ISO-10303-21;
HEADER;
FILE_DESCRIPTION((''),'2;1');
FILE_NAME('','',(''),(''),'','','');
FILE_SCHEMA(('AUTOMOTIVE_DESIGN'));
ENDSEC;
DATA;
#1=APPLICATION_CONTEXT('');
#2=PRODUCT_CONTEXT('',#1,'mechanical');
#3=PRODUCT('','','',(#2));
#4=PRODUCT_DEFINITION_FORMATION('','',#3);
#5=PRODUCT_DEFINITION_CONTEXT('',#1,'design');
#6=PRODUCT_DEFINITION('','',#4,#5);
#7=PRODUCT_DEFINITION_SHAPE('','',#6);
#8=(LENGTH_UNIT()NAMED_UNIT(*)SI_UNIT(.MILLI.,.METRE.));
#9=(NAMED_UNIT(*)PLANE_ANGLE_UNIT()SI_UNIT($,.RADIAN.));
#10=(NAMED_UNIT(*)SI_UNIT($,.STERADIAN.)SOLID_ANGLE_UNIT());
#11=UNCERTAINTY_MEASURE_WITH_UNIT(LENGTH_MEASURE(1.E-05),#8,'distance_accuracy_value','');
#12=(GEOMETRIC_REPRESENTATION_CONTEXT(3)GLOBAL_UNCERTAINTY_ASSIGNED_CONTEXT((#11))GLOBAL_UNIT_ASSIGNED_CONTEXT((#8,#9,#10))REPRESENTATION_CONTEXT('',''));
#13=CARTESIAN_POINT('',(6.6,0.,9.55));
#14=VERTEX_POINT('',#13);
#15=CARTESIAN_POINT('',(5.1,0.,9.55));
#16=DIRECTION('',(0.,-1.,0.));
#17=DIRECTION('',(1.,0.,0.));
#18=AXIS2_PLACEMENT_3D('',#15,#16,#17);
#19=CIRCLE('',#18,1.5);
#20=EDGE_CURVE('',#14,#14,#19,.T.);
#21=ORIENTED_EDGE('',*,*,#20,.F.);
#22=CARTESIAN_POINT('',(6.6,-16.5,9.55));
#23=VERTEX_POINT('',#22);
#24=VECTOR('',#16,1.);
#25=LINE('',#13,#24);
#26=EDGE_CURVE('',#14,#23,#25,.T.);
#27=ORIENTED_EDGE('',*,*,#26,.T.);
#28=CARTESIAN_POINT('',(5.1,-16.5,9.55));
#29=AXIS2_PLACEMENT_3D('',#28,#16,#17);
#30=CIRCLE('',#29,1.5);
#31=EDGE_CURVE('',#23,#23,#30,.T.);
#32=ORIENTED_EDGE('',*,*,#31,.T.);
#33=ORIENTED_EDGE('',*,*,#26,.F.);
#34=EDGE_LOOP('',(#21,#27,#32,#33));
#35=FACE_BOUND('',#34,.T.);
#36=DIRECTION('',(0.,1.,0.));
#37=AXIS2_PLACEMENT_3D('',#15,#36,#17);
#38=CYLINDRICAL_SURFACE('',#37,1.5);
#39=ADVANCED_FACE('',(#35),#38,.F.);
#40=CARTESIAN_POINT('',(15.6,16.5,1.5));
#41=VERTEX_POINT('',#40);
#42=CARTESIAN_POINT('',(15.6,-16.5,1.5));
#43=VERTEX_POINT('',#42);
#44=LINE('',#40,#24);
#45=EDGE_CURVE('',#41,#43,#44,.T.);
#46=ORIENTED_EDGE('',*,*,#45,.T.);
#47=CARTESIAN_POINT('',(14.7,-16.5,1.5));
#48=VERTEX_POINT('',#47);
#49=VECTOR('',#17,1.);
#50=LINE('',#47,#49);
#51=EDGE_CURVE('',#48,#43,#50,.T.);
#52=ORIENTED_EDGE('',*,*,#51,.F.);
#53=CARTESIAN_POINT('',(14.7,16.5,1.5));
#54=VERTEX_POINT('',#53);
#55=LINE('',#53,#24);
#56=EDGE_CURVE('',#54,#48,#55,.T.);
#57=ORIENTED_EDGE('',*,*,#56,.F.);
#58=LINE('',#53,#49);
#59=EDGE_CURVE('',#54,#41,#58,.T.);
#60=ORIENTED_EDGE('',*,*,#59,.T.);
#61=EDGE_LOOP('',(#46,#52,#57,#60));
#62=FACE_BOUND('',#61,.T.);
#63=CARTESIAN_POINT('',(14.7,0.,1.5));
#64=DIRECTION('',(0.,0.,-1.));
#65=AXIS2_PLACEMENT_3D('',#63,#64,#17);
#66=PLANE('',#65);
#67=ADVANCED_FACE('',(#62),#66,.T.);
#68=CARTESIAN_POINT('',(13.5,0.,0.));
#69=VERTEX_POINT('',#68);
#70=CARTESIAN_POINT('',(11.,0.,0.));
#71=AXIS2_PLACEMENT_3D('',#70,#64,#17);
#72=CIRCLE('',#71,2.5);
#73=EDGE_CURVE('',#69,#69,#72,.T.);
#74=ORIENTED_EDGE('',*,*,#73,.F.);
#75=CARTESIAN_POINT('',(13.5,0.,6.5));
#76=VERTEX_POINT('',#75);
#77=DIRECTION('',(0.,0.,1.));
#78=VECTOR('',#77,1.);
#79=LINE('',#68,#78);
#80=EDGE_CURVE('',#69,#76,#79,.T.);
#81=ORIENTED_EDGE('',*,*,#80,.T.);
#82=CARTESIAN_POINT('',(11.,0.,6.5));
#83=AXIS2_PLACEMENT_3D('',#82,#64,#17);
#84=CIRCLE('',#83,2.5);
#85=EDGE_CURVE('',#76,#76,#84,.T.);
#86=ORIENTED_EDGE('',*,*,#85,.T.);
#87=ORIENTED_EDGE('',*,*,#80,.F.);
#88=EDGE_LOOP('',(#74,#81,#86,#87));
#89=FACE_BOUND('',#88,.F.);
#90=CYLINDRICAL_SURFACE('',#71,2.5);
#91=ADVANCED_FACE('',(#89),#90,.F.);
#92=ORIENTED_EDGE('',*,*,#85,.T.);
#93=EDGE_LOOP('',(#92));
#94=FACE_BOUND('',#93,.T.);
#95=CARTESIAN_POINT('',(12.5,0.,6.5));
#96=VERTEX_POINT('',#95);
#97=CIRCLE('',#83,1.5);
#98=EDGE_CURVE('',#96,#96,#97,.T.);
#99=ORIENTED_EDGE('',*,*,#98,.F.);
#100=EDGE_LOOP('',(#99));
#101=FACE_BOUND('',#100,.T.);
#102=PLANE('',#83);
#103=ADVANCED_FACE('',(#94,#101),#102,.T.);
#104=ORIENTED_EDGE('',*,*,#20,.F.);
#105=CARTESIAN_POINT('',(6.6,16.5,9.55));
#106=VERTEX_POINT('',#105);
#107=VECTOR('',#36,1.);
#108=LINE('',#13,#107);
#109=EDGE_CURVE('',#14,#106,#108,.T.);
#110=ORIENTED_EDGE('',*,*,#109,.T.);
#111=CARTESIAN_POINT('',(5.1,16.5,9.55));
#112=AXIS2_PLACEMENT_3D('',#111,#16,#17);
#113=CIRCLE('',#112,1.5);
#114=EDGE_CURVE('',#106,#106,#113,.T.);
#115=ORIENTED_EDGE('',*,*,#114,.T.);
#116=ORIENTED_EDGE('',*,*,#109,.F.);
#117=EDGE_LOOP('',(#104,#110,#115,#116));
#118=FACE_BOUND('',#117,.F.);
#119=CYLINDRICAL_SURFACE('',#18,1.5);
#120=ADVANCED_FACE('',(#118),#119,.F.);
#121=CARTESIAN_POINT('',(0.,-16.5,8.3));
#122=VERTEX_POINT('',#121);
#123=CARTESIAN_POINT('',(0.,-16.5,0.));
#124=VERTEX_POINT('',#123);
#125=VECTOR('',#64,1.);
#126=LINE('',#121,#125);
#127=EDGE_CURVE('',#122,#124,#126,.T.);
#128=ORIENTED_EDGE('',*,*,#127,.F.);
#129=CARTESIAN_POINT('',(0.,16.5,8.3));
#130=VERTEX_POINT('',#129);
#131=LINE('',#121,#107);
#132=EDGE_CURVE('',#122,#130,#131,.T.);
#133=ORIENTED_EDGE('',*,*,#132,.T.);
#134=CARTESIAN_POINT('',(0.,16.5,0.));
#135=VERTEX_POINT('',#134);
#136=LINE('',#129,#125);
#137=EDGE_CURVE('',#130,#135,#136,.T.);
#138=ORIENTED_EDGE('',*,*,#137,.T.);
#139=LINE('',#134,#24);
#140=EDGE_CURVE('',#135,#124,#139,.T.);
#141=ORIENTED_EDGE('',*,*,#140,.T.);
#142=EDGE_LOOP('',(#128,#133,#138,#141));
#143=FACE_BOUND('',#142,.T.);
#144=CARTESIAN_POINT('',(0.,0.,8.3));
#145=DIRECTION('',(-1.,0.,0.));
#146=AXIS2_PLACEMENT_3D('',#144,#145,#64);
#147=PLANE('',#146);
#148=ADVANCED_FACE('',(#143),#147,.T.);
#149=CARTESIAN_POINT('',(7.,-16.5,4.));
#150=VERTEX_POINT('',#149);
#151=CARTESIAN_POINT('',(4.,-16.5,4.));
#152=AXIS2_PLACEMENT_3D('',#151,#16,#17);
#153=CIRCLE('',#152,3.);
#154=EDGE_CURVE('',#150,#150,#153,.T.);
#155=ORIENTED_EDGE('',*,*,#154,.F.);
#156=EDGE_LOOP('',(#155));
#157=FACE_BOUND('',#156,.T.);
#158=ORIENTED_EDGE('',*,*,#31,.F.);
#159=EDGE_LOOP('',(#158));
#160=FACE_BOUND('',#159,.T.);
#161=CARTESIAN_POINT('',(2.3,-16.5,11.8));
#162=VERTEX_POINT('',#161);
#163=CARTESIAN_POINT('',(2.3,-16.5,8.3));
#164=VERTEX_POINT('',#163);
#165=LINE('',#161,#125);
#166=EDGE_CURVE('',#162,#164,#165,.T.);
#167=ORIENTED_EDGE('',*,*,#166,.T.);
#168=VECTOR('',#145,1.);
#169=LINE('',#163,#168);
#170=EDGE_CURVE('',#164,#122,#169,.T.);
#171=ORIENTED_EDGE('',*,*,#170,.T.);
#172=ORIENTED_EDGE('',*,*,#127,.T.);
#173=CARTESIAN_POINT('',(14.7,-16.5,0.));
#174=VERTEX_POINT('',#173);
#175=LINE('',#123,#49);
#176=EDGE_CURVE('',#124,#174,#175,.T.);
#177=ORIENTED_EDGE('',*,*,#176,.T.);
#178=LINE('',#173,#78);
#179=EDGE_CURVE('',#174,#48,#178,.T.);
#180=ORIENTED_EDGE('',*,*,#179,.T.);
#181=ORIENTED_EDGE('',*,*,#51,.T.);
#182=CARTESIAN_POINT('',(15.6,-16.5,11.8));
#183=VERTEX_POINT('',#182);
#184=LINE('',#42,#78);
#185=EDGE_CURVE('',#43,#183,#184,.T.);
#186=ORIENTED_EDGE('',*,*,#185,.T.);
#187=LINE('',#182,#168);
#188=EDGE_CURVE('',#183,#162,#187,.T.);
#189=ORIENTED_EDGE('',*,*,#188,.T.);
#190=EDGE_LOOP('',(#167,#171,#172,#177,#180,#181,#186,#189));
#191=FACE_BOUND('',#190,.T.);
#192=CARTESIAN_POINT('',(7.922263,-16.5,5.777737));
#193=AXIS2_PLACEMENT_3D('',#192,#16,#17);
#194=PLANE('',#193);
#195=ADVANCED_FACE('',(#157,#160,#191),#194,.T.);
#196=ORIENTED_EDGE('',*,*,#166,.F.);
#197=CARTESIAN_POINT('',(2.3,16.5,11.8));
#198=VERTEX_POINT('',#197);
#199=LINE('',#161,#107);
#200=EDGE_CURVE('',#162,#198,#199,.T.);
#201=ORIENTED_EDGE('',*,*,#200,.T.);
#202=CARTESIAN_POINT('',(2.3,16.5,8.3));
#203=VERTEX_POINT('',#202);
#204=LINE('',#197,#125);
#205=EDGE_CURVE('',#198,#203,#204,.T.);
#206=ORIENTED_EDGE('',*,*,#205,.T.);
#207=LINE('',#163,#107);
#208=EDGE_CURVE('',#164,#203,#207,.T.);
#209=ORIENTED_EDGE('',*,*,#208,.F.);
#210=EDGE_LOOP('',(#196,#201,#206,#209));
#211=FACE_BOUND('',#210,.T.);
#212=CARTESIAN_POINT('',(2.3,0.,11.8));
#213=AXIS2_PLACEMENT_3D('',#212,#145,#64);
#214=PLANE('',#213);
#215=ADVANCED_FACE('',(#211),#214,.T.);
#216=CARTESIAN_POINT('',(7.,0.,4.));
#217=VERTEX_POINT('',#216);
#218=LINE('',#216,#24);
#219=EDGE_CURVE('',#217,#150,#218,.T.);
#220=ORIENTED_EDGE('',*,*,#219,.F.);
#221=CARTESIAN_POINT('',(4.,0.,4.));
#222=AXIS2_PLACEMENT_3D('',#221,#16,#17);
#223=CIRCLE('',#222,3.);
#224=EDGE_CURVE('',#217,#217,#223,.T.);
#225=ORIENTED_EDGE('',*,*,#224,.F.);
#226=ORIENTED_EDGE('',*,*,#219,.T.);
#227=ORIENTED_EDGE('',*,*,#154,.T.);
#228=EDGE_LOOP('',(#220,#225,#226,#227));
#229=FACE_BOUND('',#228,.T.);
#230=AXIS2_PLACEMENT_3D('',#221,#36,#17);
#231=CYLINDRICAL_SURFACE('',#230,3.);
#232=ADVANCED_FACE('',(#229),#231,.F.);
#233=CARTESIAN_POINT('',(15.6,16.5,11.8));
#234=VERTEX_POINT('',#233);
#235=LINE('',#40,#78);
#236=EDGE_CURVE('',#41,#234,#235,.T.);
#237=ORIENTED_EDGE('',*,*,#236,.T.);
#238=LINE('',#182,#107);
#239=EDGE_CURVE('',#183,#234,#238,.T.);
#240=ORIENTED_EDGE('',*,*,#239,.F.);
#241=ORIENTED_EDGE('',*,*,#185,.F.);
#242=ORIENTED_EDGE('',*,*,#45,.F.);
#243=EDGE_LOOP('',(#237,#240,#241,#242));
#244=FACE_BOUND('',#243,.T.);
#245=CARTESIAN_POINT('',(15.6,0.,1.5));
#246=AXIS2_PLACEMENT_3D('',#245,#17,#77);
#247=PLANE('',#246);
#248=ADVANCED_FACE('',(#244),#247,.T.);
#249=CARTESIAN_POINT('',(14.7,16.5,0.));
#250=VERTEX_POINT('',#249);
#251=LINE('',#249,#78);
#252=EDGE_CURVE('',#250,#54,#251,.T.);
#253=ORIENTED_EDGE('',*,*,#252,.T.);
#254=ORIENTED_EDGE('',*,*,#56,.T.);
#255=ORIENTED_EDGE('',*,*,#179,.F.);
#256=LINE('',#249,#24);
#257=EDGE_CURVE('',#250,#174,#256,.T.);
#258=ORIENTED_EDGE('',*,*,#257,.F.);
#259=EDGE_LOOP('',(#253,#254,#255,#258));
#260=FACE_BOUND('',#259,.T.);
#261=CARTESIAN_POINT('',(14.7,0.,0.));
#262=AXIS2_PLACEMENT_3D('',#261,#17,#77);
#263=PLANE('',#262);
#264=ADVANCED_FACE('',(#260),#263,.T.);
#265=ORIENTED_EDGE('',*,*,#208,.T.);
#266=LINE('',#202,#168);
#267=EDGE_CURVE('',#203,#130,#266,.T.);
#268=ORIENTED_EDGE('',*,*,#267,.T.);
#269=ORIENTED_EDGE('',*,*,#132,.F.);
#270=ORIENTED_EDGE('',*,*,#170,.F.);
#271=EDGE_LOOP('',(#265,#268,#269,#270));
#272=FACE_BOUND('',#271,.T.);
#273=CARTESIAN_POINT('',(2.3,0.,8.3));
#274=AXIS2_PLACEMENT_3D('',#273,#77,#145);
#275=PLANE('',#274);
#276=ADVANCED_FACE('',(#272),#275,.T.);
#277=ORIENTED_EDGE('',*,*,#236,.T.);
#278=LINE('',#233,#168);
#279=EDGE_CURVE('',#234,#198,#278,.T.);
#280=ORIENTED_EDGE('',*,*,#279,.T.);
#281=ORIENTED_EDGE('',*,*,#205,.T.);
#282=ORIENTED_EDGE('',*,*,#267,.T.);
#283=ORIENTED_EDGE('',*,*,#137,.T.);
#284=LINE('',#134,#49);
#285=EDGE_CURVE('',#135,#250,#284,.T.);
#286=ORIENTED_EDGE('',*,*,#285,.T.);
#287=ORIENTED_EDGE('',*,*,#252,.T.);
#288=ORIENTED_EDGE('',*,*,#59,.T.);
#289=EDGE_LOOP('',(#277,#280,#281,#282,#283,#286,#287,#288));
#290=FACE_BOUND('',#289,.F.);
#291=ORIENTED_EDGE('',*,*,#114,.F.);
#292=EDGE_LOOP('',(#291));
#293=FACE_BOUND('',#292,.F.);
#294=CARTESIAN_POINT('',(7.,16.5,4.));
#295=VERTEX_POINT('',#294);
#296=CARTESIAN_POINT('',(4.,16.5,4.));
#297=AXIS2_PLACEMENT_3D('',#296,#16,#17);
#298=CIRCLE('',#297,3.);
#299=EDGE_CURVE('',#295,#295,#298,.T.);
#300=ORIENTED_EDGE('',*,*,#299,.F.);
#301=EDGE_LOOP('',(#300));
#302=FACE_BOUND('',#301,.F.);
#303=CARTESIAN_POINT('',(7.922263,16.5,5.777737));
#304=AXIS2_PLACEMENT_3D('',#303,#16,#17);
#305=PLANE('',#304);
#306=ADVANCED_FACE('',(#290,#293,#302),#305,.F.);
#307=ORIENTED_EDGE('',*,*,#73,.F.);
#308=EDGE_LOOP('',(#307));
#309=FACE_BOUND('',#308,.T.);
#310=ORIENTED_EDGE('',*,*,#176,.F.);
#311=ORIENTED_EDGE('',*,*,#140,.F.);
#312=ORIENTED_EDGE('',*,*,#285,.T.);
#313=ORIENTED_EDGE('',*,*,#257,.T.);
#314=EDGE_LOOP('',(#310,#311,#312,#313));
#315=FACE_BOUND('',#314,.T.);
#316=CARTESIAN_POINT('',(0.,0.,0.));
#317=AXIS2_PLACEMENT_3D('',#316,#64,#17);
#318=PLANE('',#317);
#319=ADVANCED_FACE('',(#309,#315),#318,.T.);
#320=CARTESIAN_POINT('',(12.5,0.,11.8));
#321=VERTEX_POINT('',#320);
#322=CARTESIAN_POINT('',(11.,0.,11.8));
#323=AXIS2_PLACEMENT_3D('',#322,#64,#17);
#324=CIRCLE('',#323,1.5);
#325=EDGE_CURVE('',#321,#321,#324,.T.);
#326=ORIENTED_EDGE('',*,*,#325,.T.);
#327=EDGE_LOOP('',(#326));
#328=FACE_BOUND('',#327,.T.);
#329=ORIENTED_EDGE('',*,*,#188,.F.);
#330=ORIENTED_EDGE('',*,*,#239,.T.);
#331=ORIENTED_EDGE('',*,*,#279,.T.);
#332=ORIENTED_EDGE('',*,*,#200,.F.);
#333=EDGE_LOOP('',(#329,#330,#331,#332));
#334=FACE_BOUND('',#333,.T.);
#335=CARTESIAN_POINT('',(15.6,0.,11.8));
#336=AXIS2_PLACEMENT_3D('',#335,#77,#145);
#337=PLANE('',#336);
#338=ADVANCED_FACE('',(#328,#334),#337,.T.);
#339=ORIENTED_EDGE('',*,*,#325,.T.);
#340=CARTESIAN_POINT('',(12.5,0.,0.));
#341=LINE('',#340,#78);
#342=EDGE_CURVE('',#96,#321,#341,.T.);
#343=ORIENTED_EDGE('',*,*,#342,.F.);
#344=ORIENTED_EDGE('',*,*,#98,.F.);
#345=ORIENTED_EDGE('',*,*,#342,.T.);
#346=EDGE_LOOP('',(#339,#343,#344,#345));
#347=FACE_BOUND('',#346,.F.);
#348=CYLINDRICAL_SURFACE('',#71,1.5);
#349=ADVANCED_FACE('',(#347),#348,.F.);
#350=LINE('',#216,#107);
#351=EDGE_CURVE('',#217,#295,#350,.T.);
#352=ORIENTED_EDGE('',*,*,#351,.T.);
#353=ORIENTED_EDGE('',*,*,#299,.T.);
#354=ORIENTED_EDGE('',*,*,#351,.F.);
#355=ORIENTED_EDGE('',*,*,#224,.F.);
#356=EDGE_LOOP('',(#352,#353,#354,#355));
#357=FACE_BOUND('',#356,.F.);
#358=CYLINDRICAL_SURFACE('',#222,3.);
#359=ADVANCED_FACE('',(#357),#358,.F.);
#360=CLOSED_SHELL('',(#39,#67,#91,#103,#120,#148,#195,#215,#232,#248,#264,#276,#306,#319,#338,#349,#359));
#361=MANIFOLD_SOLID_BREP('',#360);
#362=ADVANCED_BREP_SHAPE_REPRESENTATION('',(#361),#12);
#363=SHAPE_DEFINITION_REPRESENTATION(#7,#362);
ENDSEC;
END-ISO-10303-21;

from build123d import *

# Parameters (mm, degrees)
F0_R          = 3
F0_R_2        = 1.5
F1_DEPTH      = 16.5
F1_DEPTH_BACK = 16.5
F2_R          = 1.5
F2_R_2        = 2.5
F3_DEPTH      = 6.5
F4_DEPTH      = 11.8


with BuildPart() as f1:
    # F0 (on Front) → F1 (new body, two sides)
    with BuildSketch(Plane.XZ) as f1_sk:
        Polygon((0, 8.3), (0, 0), (14.7, 0), (14.7, 1.5), (15.6, 1.5), (15.6, 11.8), (2.3, 11.8), (2.3, 8.3), align=None)
        with Locations((4, 4)):
            Circle(F0_R, mode=Mode.SUBTRACT)
        with Locations((5.1, 9.55)):
            Circle(F0_R_2, mode=Mode.SUBTRACT)
    extrude(amount=F1_DEPTH)
    extrude(f1_sk.sketch, amount=-F1_DEPTH_BACK)

    # F2 (on face) → F3 (cut)
    with BuildSketch(Plane(origin=(0, 0, 0), x_dir=(1, 0, 0), z_dir=(0, 0, -1))):
        with Locations((11, 0)):
            Circle(F2_R)
        with Locations((11, 0)):
            Circle(F2_R_2)
        with Locations((11, 0)):
            Circle(F2_R, mode=Mode.SUBTRACT)
    extrude(amount=-F3_DEPTH, mode=Mode.SUBTRACT)

    # F2 (on face) → F4 (cut, through all)
    with BuildSketch(Plane(origin=(0, 0, 0), x_dir=(1, 0, 0), z_dir=(0, 0, -1))):
        with Locations((11, 0)):
            Circle(F2_R)
    extrude(amount=-F4_DEPTH, mode=Mode.SUBTRACT)


solid = f1.part
